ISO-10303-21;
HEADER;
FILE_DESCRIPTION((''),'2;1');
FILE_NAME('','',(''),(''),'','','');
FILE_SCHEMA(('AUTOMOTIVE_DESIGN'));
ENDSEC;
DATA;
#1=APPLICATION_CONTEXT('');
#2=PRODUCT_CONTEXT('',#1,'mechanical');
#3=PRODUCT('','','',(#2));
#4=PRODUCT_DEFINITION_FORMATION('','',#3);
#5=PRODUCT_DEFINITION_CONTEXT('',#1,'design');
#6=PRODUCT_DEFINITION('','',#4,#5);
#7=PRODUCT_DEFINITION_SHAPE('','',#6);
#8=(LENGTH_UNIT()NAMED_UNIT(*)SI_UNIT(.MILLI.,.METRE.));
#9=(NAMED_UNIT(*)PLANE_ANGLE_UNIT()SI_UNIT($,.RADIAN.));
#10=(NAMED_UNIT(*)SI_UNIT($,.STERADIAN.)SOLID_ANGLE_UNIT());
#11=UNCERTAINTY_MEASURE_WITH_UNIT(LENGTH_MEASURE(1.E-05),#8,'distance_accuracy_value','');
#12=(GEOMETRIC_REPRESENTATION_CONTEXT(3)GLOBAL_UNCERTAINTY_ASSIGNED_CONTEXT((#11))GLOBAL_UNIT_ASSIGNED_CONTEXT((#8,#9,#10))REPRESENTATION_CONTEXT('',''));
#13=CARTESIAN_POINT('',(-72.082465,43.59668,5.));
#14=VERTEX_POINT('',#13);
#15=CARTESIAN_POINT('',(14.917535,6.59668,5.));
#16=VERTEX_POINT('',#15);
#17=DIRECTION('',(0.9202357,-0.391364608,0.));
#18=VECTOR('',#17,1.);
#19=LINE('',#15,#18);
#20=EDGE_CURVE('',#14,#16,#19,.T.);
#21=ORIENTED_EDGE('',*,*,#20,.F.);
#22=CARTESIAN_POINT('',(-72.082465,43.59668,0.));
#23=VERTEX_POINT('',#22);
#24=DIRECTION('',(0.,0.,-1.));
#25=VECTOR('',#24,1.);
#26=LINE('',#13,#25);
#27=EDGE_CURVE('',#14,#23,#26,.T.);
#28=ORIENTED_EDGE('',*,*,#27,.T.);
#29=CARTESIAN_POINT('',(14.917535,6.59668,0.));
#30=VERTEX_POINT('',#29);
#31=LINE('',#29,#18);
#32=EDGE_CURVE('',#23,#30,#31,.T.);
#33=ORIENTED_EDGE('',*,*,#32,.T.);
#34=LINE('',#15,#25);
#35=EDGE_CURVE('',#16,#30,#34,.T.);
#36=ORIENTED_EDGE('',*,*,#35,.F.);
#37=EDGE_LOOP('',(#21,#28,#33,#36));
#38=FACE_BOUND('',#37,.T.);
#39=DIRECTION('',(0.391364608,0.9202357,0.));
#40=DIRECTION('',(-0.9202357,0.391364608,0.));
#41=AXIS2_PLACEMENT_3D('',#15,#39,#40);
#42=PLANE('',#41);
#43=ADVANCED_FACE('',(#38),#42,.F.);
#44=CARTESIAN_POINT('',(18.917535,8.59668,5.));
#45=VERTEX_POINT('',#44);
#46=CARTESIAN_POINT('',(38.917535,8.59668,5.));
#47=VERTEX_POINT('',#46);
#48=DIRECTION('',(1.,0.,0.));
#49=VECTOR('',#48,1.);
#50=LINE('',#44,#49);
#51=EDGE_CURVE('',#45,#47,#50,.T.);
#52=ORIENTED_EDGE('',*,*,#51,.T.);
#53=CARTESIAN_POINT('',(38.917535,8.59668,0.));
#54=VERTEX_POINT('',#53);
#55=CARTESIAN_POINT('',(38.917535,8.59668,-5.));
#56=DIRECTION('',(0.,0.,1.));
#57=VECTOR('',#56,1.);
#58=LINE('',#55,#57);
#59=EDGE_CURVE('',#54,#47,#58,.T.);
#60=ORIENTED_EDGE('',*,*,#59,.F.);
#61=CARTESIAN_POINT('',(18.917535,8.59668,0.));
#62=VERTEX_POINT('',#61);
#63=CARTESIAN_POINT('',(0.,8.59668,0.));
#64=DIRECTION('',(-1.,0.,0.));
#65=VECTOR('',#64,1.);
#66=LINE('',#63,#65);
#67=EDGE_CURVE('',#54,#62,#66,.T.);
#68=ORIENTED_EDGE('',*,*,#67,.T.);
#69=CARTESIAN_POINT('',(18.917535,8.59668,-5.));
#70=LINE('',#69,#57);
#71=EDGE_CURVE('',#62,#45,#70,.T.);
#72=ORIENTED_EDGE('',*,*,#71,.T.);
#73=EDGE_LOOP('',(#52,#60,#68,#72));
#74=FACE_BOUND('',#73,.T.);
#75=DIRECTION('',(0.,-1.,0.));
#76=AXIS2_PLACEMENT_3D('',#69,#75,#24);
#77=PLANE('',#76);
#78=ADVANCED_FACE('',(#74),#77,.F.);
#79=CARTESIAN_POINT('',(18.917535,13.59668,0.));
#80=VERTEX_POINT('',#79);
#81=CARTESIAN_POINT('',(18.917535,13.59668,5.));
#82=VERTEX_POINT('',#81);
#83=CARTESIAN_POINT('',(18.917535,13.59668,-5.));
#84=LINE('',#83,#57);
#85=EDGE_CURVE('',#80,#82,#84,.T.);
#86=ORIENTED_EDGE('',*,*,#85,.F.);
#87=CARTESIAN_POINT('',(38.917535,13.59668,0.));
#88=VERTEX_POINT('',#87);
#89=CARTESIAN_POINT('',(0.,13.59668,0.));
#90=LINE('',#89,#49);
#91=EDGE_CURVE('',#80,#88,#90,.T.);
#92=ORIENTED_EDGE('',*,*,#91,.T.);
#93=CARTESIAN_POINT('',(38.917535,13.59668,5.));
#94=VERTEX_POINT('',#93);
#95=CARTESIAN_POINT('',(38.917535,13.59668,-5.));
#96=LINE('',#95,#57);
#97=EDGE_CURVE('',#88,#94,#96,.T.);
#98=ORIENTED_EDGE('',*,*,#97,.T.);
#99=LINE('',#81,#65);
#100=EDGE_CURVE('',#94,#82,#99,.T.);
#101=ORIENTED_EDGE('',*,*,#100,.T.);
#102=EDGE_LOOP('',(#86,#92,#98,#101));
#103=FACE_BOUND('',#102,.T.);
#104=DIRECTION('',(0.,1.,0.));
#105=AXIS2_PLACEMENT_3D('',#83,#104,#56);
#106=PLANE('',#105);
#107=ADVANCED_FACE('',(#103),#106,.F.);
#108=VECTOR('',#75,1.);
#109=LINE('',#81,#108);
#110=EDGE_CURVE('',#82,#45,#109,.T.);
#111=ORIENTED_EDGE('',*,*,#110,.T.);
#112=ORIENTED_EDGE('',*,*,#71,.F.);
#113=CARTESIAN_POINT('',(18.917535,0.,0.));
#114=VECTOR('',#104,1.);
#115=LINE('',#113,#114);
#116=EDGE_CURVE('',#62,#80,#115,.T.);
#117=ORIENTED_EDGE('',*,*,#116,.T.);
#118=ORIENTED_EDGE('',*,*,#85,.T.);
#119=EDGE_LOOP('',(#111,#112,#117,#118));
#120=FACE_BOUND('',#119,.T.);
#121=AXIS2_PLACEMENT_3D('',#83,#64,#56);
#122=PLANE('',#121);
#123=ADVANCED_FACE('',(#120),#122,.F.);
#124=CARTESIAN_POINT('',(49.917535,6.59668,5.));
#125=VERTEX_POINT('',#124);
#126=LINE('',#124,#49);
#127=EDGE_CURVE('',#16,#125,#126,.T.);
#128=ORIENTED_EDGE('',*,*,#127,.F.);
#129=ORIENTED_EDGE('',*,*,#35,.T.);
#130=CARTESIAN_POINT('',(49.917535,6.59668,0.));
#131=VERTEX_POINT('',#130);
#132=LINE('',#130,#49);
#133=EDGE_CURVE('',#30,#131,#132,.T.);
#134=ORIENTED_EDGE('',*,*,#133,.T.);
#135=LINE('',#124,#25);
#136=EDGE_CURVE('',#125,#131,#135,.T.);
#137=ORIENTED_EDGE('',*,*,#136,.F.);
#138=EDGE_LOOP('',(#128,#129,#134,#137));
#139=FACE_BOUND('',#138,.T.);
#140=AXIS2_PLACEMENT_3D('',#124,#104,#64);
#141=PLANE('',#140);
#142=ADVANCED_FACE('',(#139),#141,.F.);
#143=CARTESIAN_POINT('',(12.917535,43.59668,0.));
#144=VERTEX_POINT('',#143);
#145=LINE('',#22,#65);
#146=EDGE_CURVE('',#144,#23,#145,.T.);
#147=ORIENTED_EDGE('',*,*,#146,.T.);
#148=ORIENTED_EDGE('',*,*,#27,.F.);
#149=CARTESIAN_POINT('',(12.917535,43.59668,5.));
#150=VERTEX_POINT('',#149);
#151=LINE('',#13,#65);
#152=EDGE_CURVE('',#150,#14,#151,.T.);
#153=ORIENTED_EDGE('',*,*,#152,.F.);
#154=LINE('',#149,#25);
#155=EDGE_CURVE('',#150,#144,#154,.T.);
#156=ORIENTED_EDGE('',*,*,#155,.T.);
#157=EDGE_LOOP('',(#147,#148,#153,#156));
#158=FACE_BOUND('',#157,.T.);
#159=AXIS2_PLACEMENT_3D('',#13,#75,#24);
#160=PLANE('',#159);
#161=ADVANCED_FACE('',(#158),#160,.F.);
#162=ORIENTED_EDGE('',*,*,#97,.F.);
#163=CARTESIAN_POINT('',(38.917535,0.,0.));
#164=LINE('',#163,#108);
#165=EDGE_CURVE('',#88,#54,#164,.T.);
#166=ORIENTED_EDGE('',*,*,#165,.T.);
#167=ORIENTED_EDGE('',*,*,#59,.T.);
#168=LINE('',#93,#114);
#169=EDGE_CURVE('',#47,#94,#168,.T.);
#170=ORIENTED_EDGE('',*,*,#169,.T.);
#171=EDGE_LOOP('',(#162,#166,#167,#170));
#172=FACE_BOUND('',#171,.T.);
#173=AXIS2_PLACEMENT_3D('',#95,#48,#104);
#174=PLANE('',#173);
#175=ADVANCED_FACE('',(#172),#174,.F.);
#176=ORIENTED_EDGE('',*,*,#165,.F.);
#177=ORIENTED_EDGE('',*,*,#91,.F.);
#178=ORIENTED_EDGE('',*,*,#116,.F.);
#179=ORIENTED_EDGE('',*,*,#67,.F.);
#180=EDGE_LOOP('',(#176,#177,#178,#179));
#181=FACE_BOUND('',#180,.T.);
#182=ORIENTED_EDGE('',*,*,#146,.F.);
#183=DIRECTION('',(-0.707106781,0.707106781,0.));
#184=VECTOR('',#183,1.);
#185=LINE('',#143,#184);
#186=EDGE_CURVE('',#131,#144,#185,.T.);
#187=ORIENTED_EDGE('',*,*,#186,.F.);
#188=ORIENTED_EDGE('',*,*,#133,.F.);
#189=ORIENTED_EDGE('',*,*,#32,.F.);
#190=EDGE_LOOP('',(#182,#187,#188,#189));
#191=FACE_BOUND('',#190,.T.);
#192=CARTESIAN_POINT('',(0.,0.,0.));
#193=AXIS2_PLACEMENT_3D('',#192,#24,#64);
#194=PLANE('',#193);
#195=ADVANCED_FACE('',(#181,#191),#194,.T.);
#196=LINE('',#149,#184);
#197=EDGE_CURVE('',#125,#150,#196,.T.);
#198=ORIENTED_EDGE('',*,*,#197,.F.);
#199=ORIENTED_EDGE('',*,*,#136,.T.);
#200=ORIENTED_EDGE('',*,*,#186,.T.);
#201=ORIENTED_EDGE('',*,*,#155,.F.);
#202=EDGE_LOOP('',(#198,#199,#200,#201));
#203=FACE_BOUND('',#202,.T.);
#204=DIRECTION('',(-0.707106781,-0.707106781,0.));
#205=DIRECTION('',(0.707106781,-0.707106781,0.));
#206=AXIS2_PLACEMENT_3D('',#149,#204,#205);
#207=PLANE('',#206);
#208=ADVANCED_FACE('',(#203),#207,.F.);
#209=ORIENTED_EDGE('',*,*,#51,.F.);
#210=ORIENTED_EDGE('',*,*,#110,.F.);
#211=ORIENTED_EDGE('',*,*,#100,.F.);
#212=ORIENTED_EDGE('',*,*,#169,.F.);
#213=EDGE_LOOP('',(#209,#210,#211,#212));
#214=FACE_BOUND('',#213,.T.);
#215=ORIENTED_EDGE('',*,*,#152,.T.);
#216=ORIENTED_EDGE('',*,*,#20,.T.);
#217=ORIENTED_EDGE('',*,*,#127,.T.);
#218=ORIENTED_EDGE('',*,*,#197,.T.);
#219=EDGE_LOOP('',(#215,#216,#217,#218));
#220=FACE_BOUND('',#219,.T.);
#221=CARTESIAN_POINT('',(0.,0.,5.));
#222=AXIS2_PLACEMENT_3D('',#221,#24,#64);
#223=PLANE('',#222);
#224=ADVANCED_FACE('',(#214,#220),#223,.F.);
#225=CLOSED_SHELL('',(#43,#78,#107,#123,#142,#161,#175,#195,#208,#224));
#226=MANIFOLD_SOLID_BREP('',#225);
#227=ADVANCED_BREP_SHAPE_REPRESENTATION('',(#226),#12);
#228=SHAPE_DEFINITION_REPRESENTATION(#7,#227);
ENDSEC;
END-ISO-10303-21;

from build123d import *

# Parameters (mm, degrees)
BOSS_EXTRUDE2_DEPTH = 5
SKETCH3_W           = 20
SKETCH3_H           = 5
CUT_EXTRUDE1_DEPTH  = 10


with BuildPart() as part:
    # Sketch2 → Boss-Extrude2 (new body)
    with BuildSketch(Plane.XY):
        Polygon((-72.082465124, 43.596680205), (12.917534876, 43.596680205), (49.917534876, 6.596680205), (14.917534876, 6.596680205), align=None)
    extrude(amount=BOSS_EXTRUDE2_DEPTH)

    # Sketch3 → Cut-Extrude1 (cut)
    with BuildSketch(Plane.XY.offset(5)):
        with Locations((28.917534876, 11.096680205)):
            Rectangle(SKETCH3_W, SKETCH3_H)
    extrude(amount=-CUT_EXTRUDE1_DEPTH, mode=Mode.SUBTRACT)


solid = part.part
